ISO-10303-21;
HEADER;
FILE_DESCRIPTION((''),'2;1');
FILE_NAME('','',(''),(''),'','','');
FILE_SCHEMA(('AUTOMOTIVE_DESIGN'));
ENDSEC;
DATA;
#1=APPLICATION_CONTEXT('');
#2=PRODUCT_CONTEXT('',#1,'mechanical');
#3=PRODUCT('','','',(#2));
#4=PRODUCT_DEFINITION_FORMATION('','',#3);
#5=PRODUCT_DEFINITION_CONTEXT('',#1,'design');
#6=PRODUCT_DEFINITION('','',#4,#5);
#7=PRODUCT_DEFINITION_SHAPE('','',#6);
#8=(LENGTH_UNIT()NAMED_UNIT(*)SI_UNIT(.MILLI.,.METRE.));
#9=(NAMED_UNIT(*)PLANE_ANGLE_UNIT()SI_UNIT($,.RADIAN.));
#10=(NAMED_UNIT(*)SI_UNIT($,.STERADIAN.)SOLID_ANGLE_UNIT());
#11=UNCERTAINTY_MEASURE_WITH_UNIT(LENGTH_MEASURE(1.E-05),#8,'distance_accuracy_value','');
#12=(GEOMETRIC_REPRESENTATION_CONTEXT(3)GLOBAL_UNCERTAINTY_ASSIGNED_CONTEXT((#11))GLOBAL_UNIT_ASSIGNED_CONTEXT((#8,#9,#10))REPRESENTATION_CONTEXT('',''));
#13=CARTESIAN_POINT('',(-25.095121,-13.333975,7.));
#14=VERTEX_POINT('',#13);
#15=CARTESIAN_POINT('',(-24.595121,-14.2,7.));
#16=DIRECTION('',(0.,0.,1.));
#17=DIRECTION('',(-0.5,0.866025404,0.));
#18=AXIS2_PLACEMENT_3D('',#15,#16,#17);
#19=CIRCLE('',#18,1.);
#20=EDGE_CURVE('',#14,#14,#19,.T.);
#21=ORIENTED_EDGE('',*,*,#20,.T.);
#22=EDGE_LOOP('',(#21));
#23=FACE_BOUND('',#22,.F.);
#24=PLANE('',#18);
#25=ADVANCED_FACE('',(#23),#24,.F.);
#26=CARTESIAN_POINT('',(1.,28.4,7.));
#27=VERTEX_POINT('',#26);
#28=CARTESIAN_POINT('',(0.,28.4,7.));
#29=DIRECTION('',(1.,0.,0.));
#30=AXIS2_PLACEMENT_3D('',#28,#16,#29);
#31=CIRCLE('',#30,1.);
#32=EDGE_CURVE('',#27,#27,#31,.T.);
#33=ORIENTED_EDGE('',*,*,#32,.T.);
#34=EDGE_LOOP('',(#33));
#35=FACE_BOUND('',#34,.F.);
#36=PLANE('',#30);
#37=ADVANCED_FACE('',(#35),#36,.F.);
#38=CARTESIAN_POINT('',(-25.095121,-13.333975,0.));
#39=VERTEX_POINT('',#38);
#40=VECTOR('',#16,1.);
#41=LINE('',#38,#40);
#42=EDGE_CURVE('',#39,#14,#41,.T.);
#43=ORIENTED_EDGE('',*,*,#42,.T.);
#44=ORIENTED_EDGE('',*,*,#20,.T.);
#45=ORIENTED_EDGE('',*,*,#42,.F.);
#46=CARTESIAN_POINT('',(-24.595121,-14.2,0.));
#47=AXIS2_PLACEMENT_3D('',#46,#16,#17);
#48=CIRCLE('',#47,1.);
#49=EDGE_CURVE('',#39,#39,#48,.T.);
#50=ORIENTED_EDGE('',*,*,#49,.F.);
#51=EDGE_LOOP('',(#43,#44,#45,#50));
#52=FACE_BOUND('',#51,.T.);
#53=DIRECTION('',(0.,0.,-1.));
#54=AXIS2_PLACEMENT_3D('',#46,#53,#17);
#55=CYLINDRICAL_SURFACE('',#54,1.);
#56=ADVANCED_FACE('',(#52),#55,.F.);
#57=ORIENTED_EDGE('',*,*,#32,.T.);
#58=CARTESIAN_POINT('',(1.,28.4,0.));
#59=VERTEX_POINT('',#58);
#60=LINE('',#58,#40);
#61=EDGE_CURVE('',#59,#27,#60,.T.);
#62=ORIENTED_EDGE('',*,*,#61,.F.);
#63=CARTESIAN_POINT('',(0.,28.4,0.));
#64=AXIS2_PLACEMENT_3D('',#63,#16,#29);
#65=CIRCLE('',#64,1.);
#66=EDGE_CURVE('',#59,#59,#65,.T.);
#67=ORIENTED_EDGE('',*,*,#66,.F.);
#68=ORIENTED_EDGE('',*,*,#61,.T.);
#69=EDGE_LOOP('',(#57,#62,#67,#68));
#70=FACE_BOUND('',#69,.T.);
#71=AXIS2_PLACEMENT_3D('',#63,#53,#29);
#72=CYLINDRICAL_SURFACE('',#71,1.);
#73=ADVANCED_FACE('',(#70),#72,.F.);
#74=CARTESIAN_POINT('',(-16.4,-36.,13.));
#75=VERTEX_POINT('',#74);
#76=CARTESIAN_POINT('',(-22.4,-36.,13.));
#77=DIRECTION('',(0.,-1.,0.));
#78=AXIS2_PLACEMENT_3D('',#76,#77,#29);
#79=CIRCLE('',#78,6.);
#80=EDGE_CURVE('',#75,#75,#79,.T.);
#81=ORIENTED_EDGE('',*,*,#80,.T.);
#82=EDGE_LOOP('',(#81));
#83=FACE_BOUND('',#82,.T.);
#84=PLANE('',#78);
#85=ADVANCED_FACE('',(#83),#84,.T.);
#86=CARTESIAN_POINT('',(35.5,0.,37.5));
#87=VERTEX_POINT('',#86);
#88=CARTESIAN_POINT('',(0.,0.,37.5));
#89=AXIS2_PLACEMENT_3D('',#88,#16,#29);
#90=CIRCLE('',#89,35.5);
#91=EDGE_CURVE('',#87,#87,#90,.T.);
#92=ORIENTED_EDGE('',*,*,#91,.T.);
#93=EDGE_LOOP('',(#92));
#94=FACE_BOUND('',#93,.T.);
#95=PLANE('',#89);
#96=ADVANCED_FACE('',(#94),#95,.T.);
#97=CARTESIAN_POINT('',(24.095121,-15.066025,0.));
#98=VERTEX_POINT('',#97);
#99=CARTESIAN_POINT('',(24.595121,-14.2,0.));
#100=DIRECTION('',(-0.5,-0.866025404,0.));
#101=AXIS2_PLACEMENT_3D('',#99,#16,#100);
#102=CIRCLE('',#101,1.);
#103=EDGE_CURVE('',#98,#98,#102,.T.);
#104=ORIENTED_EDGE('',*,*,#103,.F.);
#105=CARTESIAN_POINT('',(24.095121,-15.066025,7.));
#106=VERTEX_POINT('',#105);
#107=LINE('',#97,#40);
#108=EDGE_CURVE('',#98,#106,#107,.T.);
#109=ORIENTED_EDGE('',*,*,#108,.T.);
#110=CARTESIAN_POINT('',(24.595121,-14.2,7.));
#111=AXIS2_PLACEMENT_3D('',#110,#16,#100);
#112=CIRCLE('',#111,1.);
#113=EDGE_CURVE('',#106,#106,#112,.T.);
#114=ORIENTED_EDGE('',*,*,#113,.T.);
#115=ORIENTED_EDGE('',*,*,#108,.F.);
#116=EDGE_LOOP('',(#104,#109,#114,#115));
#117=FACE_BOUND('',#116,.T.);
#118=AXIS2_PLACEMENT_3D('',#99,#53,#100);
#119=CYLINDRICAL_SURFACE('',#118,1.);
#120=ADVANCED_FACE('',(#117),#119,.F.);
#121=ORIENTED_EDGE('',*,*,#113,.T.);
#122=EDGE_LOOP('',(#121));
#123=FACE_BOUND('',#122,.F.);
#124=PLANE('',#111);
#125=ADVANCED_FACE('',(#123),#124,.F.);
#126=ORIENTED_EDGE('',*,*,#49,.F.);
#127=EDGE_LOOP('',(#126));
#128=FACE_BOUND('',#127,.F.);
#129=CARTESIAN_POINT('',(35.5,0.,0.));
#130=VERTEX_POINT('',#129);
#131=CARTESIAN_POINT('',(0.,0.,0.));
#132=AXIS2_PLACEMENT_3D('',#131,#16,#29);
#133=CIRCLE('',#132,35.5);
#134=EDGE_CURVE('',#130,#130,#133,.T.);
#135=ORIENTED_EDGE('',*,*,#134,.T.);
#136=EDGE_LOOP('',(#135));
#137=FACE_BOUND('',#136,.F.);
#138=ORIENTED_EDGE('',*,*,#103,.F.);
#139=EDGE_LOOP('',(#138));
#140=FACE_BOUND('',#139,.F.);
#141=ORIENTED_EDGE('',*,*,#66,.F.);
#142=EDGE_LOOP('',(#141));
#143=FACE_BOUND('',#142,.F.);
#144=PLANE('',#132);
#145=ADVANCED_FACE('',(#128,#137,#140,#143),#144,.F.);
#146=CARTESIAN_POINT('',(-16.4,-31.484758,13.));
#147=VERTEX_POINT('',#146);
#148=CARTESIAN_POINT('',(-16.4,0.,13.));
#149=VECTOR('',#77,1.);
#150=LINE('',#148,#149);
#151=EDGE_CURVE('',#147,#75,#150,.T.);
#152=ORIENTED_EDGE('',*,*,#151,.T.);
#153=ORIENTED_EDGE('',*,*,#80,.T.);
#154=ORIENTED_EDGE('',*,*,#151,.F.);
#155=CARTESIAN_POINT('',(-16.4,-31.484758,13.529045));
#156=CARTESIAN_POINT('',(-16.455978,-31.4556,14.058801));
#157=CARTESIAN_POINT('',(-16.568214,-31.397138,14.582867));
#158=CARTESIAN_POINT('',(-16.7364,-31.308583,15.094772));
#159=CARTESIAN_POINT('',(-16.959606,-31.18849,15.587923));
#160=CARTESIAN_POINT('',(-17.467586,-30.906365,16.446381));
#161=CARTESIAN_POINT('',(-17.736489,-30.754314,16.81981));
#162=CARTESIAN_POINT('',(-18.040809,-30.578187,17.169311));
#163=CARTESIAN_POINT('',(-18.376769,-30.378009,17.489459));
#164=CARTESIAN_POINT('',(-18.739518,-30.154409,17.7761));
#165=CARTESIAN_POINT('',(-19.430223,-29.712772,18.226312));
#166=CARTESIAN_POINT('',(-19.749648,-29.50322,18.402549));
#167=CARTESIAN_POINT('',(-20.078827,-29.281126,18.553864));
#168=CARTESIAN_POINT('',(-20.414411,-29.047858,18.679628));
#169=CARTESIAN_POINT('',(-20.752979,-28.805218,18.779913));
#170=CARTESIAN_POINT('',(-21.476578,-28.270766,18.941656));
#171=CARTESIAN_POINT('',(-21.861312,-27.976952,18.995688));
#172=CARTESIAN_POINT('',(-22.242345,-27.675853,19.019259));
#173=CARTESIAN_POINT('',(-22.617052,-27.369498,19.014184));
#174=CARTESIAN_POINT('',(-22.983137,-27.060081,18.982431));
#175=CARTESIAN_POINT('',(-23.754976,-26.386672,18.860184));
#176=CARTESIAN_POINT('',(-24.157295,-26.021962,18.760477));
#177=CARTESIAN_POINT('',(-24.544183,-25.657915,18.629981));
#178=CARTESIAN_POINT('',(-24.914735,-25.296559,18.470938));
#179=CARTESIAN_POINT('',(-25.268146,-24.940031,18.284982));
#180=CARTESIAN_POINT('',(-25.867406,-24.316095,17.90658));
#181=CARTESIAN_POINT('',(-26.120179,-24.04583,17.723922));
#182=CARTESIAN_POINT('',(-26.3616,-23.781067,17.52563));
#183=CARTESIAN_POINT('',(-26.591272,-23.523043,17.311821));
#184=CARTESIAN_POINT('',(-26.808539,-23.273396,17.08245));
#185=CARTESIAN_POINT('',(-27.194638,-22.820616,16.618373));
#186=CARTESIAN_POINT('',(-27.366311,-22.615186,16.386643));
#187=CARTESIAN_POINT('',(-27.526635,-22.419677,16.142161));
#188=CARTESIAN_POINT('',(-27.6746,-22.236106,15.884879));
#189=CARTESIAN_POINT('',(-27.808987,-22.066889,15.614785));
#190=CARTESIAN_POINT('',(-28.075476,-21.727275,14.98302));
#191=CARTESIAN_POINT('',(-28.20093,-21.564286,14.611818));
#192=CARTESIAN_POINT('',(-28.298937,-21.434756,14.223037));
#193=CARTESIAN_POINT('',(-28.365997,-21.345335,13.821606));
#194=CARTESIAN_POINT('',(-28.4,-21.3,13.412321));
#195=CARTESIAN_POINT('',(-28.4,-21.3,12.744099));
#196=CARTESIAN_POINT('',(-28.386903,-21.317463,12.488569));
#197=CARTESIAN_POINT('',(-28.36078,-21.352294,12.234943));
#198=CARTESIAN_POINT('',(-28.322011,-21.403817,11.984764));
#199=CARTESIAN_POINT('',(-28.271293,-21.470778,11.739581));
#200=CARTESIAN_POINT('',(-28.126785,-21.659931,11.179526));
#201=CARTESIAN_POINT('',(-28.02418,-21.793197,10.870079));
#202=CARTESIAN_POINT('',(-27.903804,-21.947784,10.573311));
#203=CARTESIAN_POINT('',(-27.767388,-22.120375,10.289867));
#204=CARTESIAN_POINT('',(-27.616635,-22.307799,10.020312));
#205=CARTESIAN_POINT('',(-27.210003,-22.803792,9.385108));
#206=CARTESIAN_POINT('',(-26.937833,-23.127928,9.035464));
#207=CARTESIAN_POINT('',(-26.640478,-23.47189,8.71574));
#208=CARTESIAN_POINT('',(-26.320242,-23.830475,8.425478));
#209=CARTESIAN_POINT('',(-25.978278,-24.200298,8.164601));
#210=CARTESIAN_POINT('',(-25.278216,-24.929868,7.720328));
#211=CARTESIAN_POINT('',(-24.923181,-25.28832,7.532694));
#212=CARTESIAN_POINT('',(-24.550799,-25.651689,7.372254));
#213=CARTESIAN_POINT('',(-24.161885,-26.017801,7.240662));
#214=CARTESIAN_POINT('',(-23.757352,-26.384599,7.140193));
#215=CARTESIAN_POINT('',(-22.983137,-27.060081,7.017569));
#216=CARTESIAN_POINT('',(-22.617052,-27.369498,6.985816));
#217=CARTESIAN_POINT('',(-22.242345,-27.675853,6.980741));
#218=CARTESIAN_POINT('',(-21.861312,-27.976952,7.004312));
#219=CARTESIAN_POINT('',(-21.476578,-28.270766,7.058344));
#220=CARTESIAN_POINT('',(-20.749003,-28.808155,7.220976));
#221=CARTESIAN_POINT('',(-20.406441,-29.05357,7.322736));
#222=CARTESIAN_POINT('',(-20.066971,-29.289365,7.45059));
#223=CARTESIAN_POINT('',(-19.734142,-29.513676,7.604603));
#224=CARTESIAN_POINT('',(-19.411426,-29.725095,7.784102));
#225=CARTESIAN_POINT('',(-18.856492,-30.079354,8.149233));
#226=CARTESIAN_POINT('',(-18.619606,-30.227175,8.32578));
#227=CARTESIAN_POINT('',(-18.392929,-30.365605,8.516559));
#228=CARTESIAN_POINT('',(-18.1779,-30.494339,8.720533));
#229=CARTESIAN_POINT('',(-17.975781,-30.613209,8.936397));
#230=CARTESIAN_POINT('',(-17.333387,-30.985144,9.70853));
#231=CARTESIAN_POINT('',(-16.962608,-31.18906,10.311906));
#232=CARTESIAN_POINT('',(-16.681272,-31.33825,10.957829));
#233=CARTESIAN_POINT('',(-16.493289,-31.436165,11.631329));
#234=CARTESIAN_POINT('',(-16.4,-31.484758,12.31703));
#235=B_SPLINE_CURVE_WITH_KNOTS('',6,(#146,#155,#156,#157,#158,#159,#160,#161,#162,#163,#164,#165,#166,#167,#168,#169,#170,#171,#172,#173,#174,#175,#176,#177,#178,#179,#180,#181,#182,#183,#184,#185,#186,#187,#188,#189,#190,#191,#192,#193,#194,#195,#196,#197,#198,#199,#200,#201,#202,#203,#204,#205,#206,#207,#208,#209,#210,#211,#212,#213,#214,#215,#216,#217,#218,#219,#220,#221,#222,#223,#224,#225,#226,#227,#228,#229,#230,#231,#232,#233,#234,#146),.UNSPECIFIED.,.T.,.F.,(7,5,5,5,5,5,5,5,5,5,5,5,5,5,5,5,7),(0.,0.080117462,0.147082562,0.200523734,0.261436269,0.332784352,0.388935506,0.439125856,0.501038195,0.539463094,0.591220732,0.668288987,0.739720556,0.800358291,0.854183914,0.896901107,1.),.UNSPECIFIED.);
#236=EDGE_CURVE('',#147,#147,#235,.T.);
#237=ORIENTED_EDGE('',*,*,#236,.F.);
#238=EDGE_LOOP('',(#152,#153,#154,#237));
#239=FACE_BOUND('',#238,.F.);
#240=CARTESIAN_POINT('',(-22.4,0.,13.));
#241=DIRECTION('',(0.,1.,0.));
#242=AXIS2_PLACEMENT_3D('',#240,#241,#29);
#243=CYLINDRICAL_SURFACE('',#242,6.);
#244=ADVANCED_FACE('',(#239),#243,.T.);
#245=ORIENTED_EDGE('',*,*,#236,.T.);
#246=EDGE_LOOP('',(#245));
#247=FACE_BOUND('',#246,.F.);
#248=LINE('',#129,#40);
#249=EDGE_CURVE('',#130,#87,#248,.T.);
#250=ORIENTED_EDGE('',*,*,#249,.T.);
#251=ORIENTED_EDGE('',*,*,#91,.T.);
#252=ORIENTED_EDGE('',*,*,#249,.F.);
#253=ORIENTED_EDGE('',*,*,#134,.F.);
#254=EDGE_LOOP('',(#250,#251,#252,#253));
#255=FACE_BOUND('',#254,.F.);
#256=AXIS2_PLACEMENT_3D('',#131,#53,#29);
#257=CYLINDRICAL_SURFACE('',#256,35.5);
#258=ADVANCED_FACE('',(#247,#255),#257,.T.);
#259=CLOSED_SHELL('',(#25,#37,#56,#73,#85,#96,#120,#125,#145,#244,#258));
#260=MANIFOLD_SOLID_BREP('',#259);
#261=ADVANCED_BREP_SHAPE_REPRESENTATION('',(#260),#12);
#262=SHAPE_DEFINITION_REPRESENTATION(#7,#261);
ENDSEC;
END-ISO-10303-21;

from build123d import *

# Parameters (mm, degrees)
SKETCH053_R  = 1
PAD040_DEPTH = 7
ARRAY_COUNT  = 3
SKETCH052_R  = 6
PAD039_DEPTH = 36
SKETCH_R     = 35.5
PAD_DEPTH    = 37.5


with BuildPart() as array:
    # Sketch053 → Pad040 (new body)
    with BuildSketch(Plane.XY):
        with Locations((0, 28.4)):
            Circle(SKETCH053_R)
    extrude(amount=PAD040_DEPTH)

    # Array: Array ×3 about axis
    array_axis = Axis((0, 0, 0), (0, 0, 1))


with BuildPart() as array_1:
    add(array.part)
    for i in range(1, ARRAY_COUNT):
        add(array.part.rotate(array_axis, i * 360 / ARRAY_COUNT))


with BuildPart() as body032:
    # Sketch052 → Pad039 (new body)
    with BuildSketch(Plane.XZ):
        with Locations((-22.4, 13)):
            Circle(SKETCH052_R)
    extrude(amount=PAD039_DEPTH)


with BuildPart() as blower:
    # Sketch → Pad (new body)
    with BuildSketch(Plane.XY):
        Circle(SKETCH_R)
    extrude(amount=PAD_DEPTH)

    # Fusion: union Body032
    add(body032.part)

    # Cut: cut Array
    add(array_1.part, mode=Mode.SUBTRACT)


solid = blower.part
